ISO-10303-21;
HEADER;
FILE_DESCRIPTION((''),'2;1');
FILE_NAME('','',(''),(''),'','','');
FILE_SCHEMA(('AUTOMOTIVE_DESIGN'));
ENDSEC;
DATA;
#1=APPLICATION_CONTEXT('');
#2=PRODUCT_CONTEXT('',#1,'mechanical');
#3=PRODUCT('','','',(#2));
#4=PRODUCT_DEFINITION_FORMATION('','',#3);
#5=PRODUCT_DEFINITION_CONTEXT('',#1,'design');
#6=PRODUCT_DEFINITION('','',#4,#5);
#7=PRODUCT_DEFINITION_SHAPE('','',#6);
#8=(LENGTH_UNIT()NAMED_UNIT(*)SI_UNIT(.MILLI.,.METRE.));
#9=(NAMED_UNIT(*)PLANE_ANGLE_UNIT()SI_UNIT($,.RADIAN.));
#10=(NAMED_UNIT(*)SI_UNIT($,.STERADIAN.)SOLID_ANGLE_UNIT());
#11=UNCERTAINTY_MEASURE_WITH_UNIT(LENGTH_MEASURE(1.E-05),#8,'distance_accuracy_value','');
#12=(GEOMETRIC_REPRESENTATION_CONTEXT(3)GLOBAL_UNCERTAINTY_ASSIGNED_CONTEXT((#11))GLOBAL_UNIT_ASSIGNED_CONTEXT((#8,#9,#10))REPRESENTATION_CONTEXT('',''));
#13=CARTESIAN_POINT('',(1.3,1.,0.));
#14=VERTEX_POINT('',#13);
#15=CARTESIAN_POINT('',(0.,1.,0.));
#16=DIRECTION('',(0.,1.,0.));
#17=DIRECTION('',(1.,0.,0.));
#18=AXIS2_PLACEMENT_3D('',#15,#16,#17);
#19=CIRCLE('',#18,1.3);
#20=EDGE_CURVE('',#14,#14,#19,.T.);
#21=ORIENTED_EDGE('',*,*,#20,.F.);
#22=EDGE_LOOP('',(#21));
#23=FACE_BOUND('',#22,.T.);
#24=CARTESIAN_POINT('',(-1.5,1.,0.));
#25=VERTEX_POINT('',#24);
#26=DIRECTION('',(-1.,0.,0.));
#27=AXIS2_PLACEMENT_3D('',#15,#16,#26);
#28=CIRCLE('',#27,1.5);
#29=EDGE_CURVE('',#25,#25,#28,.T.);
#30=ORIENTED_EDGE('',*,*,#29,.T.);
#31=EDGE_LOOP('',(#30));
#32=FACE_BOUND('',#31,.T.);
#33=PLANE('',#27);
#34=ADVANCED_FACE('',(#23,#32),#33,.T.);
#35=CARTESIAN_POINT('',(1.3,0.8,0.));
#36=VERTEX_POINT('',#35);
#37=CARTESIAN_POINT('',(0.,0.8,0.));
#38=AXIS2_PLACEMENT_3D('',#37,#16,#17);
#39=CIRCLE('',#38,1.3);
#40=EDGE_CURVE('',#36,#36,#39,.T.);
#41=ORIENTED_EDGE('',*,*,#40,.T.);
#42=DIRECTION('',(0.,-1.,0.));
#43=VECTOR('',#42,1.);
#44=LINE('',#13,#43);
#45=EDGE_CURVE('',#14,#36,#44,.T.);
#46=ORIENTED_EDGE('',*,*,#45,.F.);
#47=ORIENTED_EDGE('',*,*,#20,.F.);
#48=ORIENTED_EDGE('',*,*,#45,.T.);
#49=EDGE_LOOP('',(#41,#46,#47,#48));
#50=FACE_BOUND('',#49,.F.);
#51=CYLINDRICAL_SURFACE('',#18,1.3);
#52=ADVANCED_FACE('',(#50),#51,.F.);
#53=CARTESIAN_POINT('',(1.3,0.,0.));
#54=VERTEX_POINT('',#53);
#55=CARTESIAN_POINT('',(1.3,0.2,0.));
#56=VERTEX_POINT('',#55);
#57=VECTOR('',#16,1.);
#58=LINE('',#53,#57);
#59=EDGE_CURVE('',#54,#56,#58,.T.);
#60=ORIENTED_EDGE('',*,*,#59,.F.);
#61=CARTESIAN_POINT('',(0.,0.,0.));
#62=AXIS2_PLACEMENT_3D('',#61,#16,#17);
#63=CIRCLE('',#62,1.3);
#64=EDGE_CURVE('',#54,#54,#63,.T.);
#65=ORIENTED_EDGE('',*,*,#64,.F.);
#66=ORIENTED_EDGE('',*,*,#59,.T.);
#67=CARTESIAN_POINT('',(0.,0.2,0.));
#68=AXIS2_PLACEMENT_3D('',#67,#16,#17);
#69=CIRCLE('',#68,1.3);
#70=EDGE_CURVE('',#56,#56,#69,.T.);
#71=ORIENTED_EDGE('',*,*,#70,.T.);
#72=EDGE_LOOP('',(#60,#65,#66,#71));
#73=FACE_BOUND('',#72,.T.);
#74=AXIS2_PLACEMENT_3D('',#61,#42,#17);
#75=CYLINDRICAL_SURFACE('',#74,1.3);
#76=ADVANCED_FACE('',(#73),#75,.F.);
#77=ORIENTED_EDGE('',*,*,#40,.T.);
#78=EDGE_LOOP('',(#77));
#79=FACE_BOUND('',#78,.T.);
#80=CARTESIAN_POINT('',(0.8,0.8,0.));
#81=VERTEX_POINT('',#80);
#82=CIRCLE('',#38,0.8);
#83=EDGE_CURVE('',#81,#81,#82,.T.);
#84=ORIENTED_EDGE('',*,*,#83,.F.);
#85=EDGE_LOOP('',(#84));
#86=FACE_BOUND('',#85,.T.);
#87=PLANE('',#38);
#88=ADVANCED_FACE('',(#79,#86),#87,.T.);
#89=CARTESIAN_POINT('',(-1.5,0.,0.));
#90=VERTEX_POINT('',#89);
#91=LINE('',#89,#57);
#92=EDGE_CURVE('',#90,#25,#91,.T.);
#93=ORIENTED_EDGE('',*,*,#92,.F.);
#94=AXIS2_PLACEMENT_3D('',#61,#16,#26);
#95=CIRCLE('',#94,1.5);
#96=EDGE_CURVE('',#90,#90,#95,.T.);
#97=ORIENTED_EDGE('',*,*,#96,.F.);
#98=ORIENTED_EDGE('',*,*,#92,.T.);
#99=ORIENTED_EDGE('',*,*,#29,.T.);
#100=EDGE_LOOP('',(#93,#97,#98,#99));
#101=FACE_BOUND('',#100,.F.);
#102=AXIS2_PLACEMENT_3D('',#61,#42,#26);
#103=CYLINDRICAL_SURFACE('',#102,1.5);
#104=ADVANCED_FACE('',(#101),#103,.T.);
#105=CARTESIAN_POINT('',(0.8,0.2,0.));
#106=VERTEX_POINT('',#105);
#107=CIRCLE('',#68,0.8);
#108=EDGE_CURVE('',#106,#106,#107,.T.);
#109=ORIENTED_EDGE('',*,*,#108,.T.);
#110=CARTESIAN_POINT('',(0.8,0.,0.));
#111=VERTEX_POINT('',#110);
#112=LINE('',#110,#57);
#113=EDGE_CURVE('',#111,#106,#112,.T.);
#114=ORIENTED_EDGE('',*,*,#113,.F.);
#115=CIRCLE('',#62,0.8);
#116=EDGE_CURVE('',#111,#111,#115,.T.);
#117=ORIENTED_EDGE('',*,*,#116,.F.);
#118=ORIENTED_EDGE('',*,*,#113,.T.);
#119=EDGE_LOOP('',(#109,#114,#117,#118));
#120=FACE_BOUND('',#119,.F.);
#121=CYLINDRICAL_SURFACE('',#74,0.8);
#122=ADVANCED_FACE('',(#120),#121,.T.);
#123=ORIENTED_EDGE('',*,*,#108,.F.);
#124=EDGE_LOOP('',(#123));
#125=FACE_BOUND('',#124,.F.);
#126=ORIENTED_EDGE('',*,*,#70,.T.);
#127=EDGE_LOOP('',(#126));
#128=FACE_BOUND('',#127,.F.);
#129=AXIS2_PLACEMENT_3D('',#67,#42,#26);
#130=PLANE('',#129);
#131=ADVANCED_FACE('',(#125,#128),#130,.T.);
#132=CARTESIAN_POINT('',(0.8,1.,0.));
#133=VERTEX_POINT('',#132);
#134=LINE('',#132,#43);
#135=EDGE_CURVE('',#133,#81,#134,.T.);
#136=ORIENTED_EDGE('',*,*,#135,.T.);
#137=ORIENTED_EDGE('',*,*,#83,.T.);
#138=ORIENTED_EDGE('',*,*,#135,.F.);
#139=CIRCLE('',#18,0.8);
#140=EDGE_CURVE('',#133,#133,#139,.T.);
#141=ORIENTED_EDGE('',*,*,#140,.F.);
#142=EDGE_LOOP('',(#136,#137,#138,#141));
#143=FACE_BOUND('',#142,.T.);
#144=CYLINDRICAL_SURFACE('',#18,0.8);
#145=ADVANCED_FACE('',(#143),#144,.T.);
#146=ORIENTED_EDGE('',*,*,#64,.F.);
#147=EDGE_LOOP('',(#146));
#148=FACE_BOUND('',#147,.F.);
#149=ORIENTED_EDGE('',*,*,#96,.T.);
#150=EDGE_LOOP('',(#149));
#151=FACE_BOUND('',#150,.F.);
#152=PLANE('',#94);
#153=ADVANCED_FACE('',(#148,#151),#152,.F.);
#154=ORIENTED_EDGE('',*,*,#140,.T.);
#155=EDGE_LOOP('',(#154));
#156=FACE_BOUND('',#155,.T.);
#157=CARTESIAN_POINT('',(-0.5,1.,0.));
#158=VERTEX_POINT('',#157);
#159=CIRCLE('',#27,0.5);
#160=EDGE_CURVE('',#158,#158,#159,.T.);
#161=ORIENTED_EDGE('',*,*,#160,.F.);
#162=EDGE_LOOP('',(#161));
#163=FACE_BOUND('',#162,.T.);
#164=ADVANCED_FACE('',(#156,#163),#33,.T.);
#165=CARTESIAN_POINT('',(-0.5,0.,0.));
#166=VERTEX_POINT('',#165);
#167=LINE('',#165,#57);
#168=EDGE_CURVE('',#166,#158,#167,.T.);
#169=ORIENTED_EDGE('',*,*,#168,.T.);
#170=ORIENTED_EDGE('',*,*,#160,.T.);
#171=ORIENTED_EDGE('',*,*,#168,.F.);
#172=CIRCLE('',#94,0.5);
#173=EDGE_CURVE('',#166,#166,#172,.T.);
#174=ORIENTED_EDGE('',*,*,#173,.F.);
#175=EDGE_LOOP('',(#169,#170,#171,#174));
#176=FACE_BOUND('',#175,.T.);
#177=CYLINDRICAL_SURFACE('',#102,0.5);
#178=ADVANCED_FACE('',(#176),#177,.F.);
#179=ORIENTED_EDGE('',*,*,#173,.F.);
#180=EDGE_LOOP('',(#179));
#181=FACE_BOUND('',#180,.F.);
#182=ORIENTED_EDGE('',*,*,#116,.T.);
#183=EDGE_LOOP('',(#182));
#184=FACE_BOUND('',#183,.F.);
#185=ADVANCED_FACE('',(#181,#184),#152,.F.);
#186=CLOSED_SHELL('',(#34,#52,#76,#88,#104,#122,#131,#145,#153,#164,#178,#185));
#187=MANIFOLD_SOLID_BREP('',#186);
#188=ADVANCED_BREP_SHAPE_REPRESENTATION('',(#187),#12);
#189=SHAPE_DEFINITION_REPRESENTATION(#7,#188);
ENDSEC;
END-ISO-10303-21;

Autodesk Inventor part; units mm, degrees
ref_plane "YZ Plane" through (0, 0, 0) normal (1, 0, 0) x (0, 1, 0)
ref_plane "XZ Plane" through (0, 0, 0) normal (0, 1, 0) x (-1, 0, 0)
ref_plane "XY Plane" through (0, 0, 0) normal (0, 0, 1) x (1, 0, 0)
sketch "Sketch1" plane through (0, 0, 0) normal (0, 1, 0) x (-1, 0, 0)
  circle A0 centre (0, 0) radius 0.5
  circle A1 centre (0, 0) radius 1.5
  dimension "d0" = 1
  dimension "d1" = 3
extrude "Extrusion1" add sketch "Sketch1" along normal blind 1
sketch "Sketch2" plane through (0, 1, 0) normal (0, 1, 0) x (1, 0, 0)
  circle A0 centre (0, 0) radius 0.8
  circle A1 centre (0, 0) radius 1.3
  circle A2 centre (0, 0) radius 1.5 projected
  circle A3 centre (0, 0) radius 0.5 projected
  dimension "d4" = 0.3
  dimension "d5" = 0.2
extrude "Extrusion2" cut sketch "Sketch2" against normal blind 0.2 contours A1
ref_plane "Work Plane1" through (0, 0.5, 0) normal (0, 1, 0) x (1, 0, 0)
mirror "Mirror1" about plane through (0, 0.5, 0) normal (0, 1, 0) of "Extrusion2"
properties part number "beraing_1_3_1"
